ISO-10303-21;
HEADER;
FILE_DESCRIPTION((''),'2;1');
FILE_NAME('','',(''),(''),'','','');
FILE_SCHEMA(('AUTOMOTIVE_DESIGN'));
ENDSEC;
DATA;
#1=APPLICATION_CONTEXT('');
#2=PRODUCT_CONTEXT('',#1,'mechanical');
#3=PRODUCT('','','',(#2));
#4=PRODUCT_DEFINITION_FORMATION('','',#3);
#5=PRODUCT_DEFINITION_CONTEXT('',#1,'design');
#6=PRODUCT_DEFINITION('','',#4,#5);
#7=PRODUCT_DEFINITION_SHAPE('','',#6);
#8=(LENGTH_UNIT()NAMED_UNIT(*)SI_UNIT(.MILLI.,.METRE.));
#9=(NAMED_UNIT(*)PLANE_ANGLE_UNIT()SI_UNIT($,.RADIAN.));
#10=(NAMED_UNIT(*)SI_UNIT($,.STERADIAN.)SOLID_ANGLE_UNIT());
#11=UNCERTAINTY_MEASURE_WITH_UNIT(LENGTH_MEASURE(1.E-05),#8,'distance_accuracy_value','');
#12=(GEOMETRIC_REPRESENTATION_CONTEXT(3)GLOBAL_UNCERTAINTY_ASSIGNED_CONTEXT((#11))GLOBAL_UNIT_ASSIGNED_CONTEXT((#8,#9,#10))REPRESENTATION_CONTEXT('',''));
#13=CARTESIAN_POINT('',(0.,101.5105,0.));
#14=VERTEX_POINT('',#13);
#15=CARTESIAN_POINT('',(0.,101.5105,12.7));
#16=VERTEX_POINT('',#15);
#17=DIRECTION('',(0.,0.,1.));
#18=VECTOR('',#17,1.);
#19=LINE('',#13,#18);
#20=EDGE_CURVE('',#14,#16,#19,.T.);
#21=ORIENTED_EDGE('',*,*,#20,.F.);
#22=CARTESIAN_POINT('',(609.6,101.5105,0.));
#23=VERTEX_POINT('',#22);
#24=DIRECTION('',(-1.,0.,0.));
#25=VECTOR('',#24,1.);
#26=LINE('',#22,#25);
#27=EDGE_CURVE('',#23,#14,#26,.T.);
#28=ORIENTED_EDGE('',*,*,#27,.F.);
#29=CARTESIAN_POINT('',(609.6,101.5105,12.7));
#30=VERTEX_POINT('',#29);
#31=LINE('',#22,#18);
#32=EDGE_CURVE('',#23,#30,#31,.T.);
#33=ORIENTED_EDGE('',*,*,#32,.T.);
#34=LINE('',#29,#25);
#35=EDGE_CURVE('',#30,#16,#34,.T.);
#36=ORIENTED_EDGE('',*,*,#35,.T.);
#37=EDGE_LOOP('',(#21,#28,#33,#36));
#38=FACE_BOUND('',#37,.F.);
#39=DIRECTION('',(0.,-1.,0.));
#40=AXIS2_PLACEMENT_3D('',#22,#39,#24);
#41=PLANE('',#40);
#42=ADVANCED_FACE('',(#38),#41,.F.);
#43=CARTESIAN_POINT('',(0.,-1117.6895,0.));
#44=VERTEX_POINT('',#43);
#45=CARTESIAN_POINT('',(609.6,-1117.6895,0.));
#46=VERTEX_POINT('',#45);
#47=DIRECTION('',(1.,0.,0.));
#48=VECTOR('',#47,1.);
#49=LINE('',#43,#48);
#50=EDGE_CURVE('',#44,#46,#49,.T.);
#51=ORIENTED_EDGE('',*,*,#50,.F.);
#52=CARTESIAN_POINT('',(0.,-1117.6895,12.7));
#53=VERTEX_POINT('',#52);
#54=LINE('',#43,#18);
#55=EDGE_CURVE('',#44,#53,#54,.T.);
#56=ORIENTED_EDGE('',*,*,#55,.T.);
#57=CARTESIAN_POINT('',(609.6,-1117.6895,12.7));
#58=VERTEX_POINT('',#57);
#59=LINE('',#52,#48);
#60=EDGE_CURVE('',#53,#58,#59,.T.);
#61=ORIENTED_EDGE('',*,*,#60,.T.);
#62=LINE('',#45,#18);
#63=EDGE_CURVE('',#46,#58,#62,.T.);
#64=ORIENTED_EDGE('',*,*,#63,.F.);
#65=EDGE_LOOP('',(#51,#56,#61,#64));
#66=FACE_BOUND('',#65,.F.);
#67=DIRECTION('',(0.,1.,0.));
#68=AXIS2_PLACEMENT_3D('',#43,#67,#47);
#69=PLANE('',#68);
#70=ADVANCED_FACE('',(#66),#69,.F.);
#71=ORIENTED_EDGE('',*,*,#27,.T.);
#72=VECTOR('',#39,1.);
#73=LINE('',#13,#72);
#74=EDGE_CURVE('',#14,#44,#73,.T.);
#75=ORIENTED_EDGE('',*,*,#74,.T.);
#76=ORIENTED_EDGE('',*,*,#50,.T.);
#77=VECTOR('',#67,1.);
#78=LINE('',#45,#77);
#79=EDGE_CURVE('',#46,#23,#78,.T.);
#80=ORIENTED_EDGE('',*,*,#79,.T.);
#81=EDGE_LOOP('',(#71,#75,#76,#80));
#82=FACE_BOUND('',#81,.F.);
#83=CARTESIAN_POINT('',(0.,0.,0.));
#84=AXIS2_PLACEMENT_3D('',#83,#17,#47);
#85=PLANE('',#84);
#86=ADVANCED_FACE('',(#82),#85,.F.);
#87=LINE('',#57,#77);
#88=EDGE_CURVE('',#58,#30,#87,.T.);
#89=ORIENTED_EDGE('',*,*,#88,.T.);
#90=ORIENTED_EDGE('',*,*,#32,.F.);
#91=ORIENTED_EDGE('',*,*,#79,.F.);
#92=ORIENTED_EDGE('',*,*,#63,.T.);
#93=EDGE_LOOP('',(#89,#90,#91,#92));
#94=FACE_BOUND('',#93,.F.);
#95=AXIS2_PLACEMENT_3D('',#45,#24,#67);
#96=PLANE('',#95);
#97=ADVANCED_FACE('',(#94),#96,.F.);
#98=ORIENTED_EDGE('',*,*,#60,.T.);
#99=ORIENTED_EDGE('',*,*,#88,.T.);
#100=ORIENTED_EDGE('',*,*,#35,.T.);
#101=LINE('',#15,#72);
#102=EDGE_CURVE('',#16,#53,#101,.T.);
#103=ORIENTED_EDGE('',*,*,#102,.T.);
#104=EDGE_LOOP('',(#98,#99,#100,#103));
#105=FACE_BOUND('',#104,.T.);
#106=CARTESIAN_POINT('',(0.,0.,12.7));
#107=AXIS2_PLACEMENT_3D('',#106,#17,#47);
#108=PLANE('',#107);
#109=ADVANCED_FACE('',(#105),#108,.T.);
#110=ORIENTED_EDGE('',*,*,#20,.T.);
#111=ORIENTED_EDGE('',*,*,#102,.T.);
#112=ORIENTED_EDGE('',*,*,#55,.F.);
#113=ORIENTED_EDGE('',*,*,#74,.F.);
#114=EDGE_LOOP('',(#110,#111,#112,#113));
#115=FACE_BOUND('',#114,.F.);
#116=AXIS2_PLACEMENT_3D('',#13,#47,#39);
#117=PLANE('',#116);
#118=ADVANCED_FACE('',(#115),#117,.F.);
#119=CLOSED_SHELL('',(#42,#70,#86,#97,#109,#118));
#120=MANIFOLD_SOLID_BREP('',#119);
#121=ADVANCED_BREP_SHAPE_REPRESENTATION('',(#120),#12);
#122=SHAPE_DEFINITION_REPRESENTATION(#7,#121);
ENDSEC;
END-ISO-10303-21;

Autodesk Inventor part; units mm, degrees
ref_plane "YZ Plane" through (0, 0, 0) normal (1, 0, 0) x (0, 1, 0)
ref_plane "XZ Plane" through (0, 0, 0) normal (0, 1, 0) x (-1, 0, 0)
ref_plane "XY Plane" through (0, 0, 0) normal (0, 0, 1) x (1, 0, 0)
sketch "Sketch1" plane through (0, 0, 0) normal (0, 0, 1) x (1, 0, 0)
  line L0 (0, -1117.6895) -> (609.6, -1117.6895)
  line L1 (609.6, -1117.6895) -> (609.6, 101.5105)
  line L2 (609.6, 101.5105) -> (0, 101.5105)
  line L3 (0, 101.5105) -> (0, -1117.6895)
  point P0 (0, 0)
  dimension "d0" = 609.6
  dimension "d1" = 1219.2
extrude "Extrusion1" add sketch "Sketch1" along normal blind 12.7
properties part number "asdf"
